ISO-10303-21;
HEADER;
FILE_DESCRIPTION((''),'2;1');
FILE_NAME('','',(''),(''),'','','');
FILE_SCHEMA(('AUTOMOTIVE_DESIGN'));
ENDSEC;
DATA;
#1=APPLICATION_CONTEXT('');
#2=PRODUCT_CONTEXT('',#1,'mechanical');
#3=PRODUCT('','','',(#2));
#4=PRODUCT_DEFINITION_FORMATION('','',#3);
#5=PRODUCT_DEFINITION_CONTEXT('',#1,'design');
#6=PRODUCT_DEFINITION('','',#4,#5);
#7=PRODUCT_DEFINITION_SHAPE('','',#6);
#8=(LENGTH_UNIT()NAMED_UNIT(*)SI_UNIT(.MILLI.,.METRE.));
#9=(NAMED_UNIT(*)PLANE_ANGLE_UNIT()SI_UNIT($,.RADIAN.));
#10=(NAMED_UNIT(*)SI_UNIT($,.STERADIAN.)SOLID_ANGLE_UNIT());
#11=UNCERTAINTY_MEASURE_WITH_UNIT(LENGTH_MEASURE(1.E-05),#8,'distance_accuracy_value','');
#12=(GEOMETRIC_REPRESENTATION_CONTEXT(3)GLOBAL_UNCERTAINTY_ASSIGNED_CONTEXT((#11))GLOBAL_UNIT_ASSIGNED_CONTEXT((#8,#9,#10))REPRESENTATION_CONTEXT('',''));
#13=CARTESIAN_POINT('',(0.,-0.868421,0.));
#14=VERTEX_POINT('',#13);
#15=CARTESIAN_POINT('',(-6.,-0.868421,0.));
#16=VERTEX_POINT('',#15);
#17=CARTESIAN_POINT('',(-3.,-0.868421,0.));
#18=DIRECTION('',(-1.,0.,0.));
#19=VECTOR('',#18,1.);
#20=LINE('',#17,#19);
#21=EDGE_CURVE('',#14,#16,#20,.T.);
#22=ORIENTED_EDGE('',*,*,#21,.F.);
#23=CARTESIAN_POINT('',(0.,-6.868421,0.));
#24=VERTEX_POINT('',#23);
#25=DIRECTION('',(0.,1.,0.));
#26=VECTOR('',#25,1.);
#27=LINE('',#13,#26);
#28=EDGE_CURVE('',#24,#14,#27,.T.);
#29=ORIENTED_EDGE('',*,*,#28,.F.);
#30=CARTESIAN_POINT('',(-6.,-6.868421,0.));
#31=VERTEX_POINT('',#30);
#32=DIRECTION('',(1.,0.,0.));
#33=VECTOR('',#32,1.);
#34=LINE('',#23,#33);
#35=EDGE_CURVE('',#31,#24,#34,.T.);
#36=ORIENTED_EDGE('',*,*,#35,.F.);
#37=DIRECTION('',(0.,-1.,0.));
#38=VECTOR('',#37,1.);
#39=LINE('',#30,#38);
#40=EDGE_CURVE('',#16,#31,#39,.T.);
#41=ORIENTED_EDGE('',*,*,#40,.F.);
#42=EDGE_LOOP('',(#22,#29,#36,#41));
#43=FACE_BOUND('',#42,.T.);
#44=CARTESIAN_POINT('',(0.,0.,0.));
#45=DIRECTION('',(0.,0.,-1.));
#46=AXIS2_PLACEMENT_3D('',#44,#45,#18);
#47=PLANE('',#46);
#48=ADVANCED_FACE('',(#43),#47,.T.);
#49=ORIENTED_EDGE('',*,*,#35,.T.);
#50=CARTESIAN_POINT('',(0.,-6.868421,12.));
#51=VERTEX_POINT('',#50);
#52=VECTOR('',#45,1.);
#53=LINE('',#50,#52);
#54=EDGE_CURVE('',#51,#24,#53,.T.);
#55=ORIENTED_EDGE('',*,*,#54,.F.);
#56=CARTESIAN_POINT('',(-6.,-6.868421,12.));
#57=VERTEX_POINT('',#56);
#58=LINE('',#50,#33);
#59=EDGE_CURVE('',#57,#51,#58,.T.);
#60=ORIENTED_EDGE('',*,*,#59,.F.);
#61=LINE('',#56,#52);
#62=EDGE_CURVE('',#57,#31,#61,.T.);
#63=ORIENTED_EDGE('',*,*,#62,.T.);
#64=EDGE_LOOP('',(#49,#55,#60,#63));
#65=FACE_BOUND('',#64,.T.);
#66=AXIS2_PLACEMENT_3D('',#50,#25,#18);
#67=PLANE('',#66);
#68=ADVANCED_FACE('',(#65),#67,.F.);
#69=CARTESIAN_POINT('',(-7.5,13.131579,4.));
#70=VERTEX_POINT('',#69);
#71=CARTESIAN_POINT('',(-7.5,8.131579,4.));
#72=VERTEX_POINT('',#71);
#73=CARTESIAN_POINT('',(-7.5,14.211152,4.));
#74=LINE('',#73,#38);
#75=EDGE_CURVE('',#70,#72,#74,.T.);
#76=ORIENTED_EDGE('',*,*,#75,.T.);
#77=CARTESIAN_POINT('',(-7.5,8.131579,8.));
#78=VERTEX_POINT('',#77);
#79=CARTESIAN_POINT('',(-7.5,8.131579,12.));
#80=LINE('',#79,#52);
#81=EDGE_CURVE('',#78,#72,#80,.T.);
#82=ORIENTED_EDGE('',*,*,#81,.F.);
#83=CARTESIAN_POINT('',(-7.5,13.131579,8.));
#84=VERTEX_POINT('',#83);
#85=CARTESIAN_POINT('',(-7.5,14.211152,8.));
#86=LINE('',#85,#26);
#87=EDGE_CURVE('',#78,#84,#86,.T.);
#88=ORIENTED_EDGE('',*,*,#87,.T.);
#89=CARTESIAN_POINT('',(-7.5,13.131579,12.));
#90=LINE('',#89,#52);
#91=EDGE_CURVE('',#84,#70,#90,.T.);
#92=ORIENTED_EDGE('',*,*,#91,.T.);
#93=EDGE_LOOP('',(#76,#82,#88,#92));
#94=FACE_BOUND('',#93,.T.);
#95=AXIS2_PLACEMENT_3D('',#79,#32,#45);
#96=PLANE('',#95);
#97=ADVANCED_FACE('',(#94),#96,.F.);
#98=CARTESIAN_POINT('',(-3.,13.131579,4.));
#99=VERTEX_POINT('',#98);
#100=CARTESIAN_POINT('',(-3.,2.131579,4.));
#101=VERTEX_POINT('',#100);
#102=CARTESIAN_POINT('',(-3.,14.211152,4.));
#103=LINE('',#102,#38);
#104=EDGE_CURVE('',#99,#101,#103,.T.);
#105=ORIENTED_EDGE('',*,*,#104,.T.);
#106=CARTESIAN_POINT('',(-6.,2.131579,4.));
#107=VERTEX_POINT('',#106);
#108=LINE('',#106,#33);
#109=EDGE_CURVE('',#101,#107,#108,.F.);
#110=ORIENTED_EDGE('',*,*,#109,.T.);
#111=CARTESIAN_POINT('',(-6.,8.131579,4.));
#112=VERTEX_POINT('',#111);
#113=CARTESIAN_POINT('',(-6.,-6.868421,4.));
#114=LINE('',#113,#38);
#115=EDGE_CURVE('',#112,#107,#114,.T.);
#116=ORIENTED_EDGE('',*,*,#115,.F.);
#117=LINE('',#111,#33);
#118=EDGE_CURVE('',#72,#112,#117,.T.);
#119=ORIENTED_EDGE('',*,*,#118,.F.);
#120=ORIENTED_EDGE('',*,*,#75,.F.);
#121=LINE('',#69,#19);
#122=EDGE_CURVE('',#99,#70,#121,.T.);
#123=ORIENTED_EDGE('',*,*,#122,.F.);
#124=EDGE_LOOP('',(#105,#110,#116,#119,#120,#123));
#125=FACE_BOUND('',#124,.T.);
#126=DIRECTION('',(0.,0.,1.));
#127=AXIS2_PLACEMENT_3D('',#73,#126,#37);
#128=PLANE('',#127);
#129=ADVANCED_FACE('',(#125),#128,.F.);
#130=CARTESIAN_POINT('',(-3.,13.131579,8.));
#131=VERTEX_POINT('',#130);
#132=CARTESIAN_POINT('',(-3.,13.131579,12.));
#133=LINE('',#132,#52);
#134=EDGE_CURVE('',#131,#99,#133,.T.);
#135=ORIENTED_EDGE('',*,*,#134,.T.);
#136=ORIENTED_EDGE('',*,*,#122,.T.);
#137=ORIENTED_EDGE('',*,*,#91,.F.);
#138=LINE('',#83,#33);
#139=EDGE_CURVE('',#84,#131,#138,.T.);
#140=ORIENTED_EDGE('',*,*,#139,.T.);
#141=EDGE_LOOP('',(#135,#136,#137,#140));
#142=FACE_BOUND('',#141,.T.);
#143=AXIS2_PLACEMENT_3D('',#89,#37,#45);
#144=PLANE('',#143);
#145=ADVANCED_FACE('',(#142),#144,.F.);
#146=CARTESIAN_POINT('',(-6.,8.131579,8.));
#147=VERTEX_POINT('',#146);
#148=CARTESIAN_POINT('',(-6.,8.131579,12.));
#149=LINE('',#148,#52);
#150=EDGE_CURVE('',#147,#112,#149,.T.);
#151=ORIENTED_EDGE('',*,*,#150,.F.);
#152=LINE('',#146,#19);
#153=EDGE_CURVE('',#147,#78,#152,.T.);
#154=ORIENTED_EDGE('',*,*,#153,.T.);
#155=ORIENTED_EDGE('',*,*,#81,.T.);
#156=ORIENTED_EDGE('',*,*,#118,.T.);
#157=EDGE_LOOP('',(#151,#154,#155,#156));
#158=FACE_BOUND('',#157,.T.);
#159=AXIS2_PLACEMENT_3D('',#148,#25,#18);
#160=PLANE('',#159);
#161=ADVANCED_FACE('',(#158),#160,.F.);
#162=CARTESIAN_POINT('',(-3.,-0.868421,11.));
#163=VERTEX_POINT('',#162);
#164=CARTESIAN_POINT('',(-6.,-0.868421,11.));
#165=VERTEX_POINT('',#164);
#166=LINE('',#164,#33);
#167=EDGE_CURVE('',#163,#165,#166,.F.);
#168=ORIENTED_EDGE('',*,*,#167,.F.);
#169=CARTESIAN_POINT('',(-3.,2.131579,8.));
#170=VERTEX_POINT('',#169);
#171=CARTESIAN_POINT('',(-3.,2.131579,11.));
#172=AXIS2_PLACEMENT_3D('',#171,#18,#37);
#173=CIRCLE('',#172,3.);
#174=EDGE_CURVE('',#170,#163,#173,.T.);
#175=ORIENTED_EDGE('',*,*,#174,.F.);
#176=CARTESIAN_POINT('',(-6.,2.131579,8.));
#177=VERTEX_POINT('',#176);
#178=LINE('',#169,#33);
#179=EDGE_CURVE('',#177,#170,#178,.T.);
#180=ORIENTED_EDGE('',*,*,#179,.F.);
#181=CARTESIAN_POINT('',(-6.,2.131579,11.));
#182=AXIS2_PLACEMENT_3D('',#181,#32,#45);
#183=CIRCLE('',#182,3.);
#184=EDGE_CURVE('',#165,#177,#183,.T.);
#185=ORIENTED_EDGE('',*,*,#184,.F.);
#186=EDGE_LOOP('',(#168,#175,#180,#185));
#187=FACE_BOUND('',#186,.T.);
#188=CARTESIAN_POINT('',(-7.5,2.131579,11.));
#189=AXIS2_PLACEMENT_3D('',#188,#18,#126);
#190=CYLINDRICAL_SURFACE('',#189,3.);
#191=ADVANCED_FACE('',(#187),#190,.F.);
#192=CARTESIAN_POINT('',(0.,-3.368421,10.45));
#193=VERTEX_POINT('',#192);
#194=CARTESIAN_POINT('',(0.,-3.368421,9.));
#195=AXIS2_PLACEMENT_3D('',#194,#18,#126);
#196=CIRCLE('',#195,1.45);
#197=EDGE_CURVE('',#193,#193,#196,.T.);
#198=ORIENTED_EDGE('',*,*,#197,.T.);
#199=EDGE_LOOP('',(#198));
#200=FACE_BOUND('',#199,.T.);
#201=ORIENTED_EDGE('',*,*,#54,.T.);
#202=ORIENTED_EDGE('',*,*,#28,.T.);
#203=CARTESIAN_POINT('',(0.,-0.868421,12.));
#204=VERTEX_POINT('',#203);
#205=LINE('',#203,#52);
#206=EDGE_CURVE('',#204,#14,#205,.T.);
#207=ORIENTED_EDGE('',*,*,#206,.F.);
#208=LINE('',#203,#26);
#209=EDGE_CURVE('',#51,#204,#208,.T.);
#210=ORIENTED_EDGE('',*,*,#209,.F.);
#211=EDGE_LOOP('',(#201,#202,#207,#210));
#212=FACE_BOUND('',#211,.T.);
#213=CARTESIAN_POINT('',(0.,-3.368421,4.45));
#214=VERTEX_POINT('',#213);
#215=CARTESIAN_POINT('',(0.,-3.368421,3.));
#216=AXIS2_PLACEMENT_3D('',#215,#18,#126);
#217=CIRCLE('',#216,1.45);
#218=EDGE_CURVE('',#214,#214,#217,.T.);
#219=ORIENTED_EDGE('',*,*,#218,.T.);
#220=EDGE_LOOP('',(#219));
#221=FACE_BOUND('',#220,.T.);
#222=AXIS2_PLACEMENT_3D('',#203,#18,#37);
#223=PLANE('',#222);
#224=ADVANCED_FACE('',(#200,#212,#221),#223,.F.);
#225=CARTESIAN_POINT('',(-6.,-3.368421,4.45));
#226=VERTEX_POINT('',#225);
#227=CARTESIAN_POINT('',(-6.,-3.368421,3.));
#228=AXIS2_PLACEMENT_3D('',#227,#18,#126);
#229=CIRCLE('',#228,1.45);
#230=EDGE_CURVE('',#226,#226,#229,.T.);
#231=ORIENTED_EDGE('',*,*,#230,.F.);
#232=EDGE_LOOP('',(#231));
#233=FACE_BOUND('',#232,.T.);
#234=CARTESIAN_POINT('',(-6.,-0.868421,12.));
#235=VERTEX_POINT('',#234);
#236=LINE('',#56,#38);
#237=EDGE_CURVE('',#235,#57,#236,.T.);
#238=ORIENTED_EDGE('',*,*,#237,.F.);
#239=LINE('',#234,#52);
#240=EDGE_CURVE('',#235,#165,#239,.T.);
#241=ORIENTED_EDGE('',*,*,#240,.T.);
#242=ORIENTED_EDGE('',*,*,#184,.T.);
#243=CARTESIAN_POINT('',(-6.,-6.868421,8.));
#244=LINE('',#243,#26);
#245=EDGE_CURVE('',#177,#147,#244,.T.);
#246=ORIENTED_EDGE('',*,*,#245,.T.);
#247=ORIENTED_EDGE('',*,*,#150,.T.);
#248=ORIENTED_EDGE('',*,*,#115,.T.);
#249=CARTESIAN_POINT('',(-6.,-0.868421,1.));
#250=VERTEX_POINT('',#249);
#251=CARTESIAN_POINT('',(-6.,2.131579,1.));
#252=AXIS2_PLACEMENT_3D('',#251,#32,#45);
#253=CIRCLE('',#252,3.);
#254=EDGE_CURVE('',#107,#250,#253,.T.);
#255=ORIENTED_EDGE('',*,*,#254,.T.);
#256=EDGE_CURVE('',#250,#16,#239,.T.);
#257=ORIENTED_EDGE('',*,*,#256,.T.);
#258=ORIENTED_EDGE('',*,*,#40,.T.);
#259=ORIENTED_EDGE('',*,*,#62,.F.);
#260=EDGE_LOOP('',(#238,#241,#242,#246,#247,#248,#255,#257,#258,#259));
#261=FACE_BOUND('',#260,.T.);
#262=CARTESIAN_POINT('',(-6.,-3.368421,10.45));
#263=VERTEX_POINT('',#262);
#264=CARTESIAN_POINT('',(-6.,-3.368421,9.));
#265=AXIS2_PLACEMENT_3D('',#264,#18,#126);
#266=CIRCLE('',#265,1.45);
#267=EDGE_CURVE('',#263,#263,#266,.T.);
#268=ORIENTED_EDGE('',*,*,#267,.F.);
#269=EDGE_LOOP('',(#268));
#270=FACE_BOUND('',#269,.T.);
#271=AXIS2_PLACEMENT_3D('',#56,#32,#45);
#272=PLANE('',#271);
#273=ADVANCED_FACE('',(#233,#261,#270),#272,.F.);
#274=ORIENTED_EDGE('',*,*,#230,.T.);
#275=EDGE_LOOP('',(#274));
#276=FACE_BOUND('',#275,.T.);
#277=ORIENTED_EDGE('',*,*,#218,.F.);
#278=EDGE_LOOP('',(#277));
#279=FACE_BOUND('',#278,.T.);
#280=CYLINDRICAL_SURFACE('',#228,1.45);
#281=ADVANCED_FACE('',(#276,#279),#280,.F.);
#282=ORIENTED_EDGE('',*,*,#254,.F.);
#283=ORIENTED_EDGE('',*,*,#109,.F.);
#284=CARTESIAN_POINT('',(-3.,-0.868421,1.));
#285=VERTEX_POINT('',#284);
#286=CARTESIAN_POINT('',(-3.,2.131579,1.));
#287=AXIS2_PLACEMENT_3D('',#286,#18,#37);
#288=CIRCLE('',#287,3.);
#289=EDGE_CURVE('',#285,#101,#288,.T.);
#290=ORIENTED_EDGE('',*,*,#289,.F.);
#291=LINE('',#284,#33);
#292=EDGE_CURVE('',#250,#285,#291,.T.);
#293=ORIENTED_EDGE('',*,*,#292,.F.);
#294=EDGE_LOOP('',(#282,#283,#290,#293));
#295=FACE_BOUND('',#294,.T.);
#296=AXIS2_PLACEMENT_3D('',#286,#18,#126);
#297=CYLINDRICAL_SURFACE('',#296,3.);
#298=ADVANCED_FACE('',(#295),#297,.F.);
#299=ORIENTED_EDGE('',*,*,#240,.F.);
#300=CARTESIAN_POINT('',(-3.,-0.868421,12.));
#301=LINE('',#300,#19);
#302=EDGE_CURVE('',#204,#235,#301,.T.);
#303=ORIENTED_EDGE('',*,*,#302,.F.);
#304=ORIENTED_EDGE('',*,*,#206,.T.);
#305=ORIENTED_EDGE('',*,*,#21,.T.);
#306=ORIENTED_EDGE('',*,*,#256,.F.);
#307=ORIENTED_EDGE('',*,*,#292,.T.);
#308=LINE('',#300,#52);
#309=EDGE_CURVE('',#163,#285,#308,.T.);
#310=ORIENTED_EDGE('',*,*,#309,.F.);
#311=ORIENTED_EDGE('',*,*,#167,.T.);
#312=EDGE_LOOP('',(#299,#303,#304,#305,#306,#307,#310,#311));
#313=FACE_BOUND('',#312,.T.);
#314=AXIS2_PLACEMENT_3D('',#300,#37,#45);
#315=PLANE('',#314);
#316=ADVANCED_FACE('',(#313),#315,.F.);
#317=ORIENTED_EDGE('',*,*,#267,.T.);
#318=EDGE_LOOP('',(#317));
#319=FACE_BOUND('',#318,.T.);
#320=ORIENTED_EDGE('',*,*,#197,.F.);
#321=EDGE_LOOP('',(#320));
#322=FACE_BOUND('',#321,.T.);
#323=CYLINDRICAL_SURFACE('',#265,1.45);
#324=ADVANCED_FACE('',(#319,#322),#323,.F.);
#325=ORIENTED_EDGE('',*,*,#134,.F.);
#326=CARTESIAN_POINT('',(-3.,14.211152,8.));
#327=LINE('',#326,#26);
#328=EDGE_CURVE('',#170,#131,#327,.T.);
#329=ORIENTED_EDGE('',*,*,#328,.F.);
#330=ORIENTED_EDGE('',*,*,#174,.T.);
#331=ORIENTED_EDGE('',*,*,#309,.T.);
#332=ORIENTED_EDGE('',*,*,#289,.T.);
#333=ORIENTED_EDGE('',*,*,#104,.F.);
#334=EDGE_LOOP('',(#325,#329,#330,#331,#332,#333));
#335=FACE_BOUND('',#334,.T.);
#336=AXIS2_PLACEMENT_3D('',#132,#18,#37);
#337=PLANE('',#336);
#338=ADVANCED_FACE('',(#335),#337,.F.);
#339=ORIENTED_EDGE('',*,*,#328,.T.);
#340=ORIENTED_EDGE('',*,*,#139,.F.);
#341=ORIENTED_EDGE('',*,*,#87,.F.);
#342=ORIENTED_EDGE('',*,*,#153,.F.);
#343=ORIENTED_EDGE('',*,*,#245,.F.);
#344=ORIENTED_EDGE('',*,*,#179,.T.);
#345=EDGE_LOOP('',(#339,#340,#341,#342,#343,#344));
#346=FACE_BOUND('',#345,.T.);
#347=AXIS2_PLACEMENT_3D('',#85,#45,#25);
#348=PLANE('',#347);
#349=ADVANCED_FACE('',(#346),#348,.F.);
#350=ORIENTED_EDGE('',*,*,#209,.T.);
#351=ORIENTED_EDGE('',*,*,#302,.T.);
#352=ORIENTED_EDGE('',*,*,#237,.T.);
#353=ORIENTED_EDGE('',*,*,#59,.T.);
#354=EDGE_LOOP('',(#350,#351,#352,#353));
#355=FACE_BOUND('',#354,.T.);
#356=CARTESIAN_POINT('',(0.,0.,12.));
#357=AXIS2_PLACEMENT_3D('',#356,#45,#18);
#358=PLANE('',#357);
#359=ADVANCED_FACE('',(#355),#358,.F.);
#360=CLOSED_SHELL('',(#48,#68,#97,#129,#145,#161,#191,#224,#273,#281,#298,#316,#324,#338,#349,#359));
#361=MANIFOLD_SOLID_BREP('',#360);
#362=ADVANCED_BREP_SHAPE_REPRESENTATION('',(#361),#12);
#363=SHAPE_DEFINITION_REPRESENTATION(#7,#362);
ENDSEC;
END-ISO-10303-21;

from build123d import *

# Parameters (mm, degrees)
BOSS_EXTRUDE1_DEPTH    = 12
SKETCH2_W              = 4.936858862
SKETCH2_H              = 15.079572613
SKETCH2_W_2            = 5.292899171
CUT_EXTRUDE1_DEPTH     = 19.349069885
FILLET1_R              = 3
M2_5_CLEARANCE_HOLE1_D = 2.9


with BuildPart() as part:
    # Sketch1 → Boss-Extrude1 (new body)
    with BuildSketch(Plane.XY):
        Polygon((0, -6.868421053), (-6, -6.868421053), (-6, 8.131578947), (-7.5, 8.131578947), (-7.5, 13.131578947), (-3, 13.131578947), (-3, -0.868421053), (0, -0.868421053), align=None)
    extrude(amount=BOSS_EXTRUDE1_DEPTH)

    # Sketch2 → Cut-Extrude1 (cut, through all)
    with BuildSketch(Plane(origin=(-3, 0, 0), x_dir=(0, 0, -1), z_dir=(1, 0, 0))):
        with Locations((-10.468429431, 6.671365254)):
            Rectangle(SKETCH2_W, SKETCH2_H)
        with Locations((-1.353550414, 6.671365254)):
            Rectangle(SKETCH2_W_2, SKETCH2_H)
    extrude(amount=-CUT_EXTRUDE1_DEPTH, mode=Mode.SUBTRACT)

    # Fillet1
    fillet1_edges = [part.edges().sort_by_distance(p)[0] for p in [
        (-4.5, -0.868421053, 8),
        (-4.5, -0.868421053, 4),
    ]]
    fillet(fillet1_edges, radius=FILLET1_R)

    # M2.5 Clearance Hole1 (through all)
    with Locations(Plane.ZY.offset(6)):
        with Locations((3, -3.368421053), (9, -3.368421053)):
            Hole(M2_5_CLEARANCE_HOLE1_D / 2)


solid = part.part
